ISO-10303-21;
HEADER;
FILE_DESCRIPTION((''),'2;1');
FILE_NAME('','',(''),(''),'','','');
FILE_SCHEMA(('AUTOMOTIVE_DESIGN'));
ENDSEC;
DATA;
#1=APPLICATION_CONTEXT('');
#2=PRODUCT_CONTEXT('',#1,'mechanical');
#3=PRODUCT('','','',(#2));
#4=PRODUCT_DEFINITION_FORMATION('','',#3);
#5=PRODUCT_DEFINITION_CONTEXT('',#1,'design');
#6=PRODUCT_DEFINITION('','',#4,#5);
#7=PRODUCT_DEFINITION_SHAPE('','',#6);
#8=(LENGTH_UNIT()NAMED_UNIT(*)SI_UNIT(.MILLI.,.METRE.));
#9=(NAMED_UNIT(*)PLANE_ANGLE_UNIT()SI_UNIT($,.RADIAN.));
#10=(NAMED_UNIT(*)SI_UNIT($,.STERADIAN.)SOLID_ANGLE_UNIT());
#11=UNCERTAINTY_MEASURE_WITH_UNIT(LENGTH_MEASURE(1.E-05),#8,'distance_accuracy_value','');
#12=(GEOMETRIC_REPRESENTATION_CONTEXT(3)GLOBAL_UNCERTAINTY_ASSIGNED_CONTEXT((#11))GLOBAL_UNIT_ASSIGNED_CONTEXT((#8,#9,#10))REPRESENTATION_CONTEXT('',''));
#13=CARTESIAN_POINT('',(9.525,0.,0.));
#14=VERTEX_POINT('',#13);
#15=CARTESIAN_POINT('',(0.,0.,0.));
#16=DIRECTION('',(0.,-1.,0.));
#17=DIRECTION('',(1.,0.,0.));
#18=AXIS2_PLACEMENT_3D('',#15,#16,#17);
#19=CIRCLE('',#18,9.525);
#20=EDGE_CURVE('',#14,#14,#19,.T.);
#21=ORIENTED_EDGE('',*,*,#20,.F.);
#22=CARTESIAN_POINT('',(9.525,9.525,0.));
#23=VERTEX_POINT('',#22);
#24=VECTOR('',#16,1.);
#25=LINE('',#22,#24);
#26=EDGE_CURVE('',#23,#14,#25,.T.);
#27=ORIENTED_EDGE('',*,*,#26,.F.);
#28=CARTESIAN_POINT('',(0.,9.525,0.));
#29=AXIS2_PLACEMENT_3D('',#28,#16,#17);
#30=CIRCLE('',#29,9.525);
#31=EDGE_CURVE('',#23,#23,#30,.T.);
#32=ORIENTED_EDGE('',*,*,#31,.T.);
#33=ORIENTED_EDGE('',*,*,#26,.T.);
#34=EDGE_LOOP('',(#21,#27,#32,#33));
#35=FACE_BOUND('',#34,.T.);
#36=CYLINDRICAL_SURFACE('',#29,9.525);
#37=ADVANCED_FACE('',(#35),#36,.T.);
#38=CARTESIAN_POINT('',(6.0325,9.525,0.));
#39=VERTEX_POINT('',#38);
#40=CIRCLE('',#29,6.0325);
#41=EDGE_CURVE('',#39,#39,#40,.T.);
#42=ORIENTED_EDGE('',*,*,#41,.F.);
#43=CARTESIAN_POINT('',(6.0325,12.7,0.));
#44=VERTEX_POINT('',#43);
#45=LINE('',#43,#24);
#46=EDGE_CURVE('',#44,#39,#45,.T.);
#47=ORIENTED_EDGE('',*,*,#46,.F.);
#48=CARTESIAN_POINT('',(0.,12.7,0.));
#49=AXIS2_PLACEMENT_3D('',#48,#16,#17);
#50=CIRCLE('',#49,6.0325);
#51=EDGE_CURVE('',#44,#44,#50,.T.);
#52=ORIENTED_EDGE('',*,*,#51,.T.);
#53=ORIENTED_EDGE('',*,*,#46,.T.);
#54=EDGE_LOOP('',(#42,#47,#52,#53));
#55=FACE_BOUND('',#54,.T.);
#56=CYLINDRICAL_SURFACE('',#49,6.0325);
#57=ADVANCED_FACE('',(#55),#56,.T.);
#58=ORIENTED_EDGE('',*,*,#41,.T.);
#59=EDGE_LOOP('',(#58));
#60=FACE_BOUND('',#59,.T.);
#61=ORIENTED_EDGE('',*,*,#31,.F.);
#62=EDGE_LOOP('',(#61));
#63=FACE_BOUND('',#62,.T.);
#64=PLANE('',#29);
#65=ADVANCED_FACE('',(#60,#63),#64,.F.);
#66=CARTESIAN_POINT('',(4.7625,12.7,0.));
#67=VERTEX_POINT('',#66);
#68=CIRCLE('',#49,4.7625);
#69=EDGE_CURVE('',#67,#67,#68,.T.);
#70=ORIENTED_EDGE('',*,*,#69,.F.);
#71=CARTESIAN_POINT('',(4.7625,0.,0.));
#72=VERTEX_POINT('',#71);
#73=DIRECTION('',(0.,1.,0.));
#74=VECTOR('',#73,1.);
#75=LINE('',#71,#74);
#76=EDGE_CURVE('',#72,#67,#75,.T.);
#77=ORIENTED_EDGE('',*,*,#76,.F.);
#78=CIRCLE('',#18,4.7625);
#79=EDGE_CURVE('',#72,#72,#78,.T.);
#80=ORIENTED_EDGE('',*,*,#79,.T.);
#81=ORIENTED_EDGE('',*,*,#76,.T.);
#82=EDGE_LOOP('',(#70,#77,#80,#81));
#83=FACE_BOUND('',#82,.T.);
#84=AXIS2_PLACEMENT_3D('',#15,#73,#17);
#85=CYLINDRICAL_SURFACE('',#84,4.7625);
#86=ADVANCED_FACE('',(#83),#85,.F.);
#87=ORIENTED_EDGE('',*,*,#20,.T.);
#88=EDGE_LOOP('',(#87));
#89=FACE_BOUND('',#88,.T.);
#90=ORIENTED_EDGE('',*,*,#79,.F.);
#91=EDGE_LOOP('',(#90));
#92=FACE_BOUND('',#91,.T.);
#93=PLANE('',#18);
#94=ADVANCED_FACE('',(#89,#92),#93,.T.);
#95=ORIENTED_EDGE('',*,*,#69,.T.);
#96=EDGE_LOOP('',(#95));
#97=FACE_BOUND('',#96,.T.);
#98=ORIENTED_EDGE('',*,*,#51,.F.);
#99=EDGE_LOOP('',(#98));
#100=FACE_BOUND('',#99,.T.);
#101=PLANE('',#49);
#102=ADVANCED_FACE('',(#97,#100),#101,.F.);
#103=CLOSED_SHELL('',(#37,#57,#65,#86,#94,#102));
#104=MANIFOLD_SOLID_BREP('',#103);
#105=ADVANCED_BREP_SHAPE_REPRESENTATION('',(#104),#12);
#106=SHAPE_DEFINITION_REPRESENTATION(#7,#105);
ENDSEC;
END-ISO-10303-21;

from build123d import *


with BuildPart() as part:
    # Sketch1 → Revolve1 (revolve)
    with BuildSketch(Plane.XY):
        Polygon((4.7625, 0), (4.7625, 12.7), (6.0325, 12.7), (6.0325, 9.525), (9.525, 9.525), (9.525, 0), align=None)
    revolve(axis=Axis((0, 9.238474184, 0), (0, -1, 0)))


solid = part.part
